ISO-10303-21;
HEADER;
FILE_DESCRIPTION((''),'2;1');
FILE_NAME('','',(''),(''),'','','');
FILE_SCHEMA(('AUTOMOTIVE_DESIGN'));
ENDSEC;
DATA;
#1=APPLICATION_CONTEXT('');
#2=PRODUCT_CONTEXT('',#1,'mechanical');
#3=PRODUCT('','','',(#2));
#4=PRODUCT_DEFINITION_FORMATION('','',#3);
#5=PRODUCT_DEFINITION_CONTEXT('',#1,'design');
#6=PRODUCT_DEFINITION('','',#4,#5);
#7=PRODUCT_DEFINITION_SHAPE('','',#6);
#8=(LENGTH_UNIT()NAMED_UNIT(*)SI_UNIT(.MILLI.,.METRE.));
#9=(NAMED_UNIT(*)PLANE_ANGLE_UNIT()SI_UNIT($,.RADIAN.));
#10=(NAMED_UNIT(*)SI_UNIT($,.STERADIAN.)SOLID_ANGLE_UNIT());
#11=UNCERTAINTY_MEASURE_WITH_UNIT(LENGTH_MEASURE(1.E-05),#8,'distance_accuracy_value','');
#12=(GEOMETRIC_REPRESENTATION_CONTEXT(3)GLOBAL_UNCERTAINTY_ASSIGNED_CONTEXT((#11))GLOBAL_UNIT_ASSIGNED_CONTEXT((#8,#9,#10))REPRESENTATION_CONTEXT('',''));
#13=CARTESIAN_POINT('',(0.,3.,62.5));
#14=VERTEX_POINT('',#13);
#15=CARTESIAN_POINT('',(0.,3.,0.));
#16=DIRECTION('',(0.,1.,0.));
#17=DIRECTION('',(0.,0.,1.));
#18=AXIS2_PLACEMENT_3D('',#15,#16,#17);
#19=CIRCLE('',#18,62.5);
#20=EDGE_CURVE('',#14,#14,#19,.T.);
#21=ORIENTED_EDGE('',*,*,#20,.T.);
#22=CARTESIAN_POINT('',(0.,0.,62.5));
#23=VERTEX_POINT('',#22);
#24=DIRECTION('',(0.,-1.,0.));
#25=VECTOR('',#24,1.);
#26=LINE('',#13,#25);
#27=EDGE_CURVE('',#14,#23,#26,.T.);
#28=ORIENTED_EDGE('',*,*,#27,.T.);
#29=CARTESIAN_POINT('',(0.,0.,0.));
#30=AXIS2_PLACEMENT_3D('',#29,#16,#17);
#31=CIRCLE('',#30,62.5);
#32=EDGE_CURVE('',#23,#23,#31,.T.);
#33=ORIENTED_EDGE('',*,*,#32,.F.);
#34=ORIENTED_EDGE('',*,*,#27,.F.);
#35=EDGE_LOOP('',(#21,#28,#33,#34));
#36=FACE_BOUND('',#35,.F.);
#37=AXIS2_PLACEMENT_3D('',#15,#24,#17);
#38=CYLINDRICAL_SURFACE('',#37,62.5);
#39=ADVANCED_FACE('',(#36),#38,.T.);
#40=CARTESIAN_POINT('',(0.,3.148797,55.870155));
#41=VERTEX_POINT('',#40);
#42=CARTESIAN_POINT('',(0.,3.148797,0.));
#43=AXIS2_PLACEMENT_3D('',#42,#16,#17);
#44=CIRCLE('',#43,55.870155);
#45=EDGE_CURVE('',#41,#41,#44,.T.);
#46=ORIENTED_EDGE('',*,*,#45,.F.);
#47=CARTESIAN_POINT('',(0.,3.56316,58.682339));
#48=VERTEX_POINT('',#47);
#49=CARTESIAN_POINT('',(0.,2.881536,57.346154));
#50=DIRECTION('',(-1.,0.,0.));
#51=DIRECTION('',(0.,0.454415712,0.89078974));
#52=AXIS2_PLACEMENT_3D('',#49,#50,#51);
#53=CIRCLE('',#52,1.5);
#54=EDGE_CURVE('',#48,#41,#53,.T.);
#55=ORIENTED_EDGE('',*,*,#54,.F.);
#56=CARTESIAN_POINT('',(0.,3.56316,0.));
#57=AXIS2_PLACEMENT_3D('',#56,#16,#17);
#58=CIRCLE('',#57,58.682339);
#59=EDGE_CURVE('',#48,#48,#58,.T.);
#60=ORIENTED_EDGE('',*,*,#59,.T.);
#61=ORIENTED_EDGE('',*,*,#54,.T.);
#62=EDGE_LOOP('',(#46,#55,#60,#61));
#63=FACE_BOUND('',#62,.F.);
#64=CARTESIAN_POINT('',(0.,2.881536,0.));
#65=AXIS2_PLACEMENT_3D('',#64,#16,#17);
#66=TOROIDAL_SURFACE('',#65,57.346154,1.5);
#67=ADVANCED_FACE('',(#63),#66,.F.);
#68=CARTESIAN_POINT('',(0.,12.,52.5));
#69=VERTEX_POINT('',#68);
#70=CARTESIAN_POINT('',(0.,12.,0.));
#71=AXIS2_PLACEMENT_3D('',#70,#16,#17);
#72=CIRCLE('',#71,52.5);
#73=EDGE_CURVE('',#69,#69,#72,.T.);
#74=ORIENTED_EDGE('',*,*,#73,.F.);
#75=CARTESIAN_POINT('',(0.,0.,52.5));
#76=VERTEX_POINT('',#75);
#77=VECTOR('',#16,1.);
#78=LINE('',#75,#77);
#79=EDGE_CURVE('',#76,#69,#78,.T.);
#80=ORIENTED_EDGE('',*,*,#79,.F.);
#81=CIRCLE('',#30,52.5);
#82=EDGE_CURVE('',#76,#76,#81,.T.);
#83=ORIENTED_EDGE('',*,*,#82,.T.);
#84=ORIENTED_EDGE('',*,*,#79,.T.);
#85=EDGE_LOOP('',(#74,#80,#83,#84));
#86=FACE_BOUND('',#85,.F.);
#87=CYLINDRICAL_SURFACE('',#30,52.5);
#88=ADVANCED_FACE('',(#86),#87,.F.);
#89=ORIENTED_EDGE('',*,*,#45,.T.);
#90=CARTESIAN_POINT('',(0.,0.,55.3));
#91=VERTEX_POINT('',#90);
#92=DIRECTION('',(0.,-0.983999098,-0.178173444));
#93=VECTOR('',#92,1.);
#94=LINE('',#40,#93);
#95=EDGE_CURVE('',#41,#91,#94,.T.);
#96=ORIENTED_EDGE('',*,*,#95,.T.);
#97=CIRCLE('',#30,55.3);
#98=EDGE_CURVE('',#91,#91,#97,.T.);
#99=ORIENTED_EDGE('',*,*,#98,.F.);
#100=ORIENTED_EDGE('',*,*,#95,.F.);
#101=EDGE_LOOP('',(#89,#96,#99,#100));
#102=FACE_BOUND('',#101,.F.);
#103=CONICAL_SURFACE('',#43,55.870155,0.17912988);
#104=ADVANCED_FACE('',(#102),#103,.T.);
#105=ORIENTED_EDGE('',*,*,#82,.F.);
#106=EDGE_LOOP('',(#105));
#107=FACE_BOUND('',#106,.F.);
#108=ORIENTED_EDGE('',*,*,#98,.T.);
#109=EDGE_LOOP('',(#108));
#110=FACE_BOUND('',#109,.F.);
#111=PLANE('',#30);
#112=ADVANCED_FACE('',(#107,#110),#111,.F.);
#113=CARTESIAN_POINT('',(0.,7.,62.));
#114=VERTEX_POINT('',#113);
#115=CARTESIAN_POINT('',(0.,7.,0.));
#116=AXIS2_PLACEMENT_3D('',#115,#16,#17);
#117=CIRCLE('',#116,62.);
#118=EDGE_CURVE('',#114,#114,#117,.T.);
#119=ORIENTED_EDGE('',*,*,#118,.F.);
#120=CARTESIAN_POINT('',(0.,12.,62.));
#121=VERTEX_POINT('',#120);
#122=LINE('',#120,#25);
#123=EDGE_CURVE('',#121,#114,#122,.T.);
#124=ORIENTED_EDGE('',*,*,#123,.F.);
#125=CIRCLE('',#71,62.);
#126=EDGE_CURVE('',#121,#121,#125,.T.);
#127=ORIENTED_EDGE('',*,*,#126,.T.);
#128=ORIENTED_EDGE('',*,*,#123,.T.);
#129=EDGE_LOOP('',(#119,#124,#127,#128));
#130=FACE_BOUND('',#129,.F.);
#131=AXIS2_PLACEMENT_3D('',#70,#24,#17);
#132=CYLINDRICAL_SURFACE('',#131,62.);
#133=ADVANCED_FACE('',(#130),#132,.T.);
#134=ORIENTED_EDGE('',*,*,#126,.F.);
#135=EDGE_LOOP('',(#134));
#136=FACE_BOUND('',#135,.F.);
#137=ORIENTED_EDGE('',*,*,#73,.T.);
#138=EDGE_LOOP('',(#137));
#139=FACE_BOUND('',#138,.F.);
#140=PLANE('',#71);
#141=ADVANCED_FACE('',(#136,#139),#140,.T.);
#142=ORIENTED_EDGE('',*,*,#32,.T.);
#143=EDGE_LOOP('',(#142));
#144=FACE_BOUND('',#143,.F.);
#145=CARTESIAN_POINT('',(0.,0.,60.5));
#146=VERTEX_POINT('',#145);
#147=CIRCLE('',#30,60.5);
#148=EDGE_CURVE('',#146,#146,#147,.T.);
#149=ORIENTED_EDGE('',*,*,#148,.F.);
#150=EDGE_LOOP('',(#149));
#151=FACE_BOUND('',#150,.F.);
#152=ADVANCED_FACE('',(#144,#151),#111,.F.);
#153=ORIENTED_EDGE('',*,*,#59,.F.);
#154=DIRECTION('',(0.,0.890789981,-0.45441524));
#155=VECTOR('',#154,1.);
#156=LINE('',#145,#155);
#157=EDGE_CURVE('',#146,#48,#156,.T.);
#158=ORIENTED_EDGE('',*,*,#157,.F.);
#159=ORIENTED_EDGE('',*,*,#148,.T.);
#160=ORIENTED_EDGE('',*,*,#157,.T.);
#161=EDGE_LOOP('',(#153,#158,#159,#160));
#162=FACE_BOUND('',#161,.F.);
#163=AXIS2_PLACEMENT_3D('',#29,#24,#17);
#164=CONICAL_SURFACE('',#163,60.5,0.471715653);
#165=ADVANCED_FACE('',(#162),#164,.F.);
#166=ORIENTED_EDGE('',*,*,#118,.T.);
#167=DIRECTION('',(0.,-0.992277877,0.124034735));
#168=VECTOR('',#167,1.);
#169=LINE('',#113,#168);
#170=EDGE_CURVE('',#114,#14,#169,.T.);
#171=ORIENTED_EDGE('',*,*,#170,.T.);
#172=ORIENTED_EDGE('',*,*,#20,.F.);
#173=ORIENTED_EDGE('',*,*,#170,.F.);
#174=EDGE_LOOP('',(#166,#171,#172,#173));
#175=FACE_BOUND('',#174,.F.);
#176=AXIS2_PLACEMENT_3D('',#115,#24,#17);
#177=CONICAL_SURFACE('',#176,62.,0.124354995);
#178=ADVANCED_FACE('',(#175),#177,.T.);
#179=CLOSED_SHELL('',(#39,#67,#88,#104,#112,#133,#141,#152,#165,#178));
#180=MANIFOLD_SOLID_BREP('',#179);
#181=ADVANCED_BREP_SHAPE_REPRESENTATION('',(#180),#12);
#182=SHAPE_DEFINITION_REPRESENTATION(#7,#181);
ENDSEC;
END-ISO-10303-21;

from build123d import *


with BuildPart() as f2:
    # F0 (on Right) → F2 (revolve)
    with BuildSketch(Plane.YZ):
        with BuildLine():
            Line((0, 55.3), (0, 52.5))
            Line((0, 52.5), (12, 52.5))
            Line((12, 52.5), (12, 62))
            Line((12, 62), (7, 62))
            Line((7, 62), (3, 62.5))
            Line((3, 62.5), (0, 62.5))
            Line((0, 62.5), (0, 60.5))
            Line((0, 60.5), (3.56316, 58.682339))
            ThreePointArc((3.56316, 58.682339), (4.365514, 57.127496), (3.148797, 55.870155))
            Line((3.148797, 55.870155), (0, 55.3))
        make_face()
    revolve(axis=Axis((0, 2.624998, 0), (0, 1, 0)))


solid = f2.part
